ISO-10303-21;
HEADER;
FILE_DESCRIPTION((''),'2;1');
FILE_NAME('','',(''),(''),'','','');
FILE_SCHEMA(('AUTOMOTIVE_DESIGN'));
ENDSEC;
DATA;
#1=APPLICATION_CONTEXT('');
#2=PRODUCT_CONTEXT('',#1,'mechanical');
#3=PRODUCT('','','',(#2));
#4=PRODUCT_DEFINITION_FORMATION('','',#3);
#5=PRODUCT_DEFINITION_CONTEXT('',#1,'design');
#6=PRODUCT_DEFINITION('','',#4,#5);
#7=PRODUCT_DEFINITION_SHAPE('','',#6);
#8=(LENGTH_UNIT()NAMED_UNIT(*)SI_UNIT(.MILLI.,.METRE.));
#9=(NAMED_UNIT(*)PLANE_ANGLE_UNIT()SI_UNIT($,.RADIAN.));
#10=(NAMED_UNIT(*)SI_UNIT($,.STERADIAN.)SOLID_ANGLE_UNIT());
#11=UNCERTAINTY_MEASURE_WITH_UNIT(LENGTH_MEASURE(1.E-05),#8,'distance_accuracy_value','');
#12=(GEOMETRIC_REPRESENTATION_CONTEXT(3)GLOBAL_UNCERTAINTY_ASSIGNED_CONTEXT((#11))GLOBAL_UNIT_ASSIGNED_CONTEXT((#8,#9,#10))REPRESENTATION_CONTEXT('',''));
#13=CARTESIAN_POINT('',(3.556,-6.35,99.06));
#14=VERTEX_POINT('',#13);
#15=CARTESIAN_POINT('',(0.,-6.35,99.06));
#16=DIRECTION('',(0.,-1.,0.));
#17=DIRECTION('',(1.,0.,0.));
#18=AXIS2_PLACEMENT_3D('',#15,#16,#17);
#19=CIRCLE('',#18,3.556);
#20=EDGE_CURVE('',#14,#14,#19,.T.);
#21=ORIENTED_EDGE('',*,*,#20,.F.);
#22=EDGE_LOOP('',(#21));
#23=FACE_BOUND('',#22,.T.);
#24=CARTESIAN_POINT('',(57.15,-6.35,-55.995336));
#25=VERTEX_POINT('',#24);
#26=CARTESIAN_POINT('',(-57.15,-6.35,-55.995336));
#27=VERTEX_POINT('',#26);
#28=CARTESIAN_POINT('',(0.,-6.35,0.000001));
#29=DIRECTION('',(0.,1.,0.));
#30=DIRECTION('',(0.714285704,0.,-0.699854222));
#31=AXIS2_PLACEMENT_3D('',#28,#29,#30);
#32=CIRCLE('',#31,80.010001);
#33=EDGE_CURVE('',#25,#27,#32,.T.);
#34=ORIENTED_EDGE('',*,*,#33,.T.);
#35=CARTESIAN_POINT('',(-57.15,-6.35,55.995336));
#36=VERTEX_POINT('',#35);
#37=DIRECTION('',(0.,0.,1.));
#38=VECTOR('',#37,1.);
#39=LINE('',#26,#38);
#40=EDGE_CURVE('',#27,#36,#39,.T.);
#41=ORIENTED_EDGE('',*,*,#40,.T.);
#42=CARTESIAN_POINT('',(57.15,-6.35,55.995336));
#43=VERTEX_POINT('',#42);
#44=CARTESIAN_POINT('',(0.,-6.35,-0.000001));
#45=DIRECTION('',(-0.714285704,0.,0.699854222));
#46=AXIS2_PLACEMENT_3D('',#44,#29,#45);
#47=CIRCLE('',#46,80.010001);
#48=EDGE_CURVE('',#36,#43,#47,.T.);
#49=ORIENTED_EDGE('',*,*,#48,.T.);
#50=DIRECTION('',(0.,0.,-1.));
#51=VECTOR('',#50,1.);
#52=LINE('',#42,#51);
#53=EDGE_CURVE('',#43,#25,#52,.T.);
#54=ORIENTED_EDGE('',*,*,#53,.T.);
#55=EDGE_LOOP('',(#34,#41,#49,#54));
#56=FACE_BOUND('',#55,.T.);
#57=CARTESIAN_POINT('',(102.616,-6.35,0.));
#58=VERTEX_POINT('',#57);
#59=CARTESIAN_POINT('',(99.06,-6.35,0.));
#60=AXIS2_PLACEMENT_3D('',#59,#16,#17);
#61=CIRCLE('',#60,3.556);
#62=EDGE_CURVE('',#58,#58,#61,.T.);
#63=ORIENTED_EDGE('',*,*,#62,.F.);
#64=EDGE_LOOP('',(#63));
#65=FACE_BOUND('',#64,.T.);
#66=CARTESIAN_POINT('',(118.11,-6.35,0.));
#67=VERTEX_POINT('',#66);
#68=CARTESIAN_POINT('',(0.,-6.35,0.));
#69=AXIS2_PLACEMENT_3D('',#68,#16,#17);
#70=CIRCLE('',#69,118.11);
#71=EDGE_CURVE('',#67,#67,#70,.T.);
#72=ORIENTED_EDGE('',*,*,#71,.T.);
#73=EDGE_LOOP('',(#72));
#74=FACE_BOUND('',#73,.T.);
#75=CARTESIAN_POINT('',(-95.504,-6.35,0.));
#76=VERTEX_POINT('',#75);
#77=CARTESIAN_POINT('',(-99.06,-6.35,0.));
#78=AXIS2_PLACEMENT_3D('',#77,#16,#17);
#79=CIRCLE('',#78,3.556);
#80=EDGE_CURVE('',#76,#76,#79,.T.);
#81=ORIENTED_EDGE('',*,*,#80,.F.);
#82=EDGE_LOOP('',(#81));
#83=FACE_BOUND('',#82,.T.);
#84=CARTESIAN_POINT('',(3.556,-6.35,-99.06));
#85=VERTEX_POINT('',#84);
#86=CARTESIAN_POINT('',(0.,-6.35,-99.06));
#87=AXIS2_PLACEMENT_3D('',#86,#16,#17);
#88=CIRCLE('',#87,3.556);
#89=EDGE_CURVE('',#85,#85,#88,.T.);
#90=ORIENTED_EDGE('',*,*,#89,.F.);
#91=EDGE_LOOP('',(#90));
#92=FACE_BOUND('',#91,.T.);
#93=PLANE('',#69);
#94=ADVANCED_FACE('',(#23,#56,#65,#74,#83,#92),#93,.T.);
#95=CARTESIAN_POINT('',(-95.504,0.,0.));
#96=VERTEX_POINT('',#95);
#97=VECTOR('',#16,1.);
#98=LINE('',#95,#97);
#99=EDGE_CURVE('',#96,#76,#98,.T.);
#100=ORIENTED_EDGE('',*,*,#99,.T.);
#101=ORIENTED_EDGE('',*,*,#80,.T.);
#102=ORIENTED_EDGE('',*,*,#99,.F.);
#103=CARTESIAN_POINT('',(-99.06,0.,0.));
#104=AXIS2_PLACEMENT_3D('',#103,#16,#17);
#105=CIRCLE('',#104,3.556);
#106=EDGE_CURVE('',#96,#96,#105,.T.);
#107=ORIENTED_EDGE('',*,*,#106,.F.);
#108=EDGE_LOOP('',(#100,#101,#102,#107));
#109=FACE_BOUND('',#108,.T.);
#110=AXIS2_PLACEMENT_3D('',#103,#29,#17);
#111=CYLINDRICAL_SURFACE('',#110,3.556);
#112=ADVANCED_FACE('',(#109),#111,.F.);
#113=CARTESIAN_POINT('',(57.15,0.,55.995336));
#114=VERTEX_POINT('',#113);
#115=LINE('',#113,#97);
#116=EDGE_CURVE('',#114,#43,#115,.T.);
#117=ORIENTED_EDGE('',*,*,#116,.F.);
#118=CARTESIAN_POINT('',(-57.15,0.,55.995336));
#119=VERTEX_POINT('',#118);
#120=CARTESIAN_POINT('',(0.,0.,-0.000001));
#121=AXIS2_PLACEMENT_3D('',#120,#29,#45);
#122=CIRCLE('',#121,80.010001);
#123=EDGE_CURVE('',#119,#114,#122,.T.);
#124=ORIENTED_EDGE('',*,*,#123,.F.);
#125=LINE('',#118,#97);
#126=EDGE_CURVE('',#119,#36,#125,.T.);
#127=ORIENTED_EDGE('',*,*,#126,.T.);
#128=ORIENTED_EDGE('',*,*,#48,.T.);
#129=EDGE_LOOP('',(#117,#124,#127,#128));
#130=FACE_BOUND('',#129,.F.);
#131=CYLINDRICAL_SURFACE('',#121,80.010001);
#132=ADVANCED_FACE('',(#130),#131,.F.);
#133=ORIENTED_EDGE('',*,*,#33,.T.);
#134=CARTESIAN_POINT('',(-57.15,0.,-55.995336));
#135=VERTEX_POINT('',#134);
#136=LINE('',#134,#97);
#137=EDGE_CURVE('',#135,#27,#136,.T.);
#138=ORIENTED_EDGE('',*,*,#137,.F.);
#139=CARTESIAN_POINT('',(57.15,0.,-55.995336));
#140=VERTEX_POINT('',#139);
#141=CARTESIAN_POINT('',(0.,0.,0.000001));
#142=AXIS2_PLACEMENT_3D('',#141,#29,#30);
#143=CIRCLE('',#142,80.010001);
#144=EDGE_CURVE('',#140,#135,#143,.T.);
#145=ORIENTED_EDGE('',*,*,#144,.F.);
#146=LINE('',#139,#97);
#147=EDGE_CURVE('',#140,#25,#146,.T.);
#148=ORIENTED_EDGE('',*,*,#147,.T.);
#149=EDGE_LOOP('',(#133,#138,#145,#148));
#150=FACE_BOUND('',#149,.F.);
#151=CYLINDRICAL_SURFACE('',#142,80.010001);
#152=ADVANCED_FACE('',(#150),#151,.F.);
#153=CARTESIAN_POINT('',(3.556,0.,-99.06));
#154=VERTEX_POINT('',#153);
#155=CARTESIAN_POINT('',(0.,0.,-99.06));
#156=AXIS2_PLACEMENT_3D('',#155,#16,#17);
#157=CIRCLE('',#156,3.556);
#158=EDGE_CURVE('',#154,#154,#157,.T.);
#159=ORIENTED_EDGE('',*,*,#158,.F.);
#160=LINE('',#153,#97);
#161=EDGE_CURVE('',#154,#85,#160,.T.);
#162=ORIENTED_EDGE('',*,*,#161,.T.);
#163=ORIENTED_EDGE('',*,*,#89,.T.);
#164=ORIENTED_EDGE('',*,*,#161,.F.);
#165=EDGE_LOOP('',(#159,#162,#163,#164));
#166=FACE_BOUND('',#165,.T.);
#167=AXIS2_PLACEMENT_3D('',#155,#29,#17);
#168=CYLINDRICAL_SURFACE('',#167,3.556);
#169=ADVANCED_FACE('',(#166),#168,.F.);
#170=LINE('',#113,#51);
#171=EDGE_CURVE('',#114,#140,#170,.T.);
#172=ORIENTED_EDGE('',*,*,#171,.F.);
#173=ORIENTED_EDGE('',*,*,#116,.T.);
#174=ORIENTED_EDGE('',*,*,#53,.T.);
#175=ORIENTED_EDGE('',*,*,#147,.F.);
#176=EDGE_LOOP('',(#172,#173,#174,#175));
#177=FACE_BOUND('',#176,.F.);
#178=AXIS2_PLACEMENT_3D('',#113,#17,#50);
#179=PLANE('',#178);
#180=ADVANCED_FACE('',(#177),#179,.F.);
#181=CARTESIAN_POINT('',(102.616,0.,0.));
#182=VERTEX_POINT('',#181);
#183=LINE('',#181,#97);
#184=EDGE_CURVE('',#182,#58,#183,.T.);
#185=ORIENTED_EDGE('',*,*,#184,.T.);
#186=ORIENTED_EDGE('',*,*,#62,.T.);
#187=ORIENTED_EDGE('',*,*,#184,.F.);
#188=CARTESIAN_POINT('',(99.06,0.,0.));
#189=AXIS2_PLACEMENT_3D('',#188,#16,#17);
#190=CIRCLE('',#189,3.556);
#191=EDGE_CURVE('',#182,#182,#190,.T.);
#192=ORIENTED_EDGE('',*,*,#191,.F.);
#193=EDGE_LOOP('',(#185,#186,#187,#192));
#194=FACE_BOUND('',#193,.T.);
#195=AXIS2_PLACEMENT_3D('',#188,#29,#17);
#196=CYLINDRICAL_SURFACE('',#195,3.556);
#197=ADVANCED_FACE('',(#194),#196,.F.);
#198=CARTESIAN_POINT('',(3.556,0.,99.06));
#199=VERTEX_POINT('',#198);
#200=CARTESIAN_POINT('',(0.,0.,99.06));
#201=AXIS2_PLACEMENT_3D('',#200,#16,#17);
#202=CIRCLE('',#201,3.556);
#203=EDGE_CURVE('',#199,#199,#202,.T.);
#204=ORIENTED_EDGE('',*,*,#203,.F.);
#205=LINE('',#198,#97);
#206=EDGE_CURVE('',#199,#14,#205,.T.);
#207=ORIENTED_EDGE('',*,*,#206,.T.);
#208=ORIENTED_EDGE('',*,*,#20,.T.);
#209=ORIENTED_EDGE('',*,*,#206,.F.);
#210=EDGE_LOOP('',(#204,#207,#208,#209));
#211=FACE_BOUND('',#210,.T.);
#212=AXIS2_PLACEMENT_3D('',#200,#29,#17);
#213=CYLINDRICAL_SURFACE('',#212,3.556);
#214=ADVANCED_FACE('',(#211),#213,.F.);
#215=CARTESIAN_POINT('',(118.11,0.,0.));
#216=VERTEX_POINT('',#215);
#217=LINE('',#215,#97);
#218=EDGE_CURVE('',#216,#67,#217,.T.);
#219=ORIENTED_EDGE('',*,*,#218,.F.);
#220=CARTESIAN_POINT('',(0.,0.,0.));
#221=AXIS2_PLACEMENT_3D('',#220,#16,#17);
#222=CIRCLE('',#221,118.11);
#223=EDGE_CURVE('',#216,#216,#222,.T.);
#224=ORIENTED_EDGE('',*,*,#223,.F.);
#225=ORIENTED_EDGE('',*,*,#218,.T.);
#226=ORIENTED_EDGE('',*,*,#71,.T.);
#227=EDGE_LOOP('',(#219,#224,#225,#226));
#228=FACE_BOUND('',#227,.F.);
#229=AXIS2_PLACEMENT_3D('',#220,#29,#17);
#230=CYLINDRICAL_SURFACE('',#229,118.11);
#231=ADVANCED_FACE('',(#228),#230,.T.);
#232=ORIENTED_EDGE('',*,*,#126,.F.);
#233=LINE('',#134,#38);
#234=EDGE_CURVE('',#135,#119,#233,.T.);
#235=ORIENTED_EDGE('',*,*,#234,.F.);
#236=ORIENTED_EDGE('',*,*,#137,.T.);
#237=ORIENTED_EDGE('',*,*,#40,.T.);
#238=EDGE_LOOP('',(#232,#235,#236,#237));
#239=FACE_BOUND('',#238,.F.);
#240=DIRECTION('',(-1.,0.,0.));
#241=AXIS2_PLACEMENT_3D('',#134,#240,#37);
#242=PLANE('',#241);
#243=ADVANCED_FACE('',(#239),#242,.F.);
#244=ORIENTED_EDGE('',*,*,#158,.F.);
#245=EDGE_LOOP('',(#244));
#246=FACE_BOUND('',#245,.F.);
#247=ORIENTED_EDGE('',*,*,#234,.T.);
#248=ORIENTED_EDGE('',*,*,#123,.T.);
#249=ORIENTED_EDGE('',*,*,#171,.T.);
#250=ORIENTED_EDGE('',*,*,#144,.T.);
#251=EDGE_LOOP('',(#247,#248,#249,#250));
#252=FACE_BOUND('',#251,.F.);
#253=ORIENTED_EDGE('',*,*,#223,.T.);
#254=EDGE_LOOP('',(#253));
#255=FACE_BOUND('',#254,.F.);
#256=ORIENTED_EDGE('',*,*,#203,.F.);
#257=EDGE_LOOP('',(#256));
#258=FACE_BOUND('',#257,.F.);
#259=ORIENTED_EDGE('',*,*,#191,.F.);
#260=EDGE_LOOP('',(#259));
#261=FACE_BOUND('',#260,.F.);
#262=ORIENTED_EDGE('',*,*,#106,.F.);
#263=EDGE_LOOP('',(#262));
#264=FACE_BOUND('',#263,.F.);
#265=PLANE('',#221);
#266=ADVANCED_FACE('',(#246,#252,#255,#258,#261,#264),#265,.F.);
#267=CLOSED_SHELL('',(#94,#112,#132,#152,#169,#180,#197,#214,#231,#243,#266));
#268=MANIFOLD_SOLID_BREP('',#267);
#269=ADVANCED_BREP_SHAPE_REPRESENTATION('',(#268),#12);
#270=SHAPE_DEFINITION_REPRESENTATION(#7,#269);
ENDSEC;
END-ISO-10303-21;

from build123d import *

# Parameters (mm, degrees)
F0_R     = 118.11
F0_R_2   = 3.556
F1_DEPTH = 6.35


with BuildPart() as f1:
    # F0 (on Front) → F1 (new body)
    with BuildSketch(Plane.XZ):
        Circle(F0_R)
        with Locations((0, -99.06)):
            Circle(F0_R_2, mode=Mode.SUBTRACT)
        with Locations((-99.06, 0)):
            Circle(F0_R_2, mode=Mode.SUBTRACT)
        with BuildLine():
            ThreePointArc((57.15, -55.995336), (0, -80.01), (-57.15, -55.995336))
            Line((-57.15, -55.995336), (-57.15, 55.995336))
            ThreePointArc((-57.15, 55.995336), (0, 80.01), (57.15, 55.995336))
            Line((57.15, 55.995336), (57.15, -55.995336))
        make_face(mode=Mode.SUBTRACT)
        with Locations((99.06, 0)):
            Circle(F0_R_2, mode=Mode.SUBTRACT)
        with Locations((0, 99.06)):
            Circle(F0_R_2, mode=Mode.SUBTRACT)
    extrude(amount=F1_DEPTH)


solid = f1.part
